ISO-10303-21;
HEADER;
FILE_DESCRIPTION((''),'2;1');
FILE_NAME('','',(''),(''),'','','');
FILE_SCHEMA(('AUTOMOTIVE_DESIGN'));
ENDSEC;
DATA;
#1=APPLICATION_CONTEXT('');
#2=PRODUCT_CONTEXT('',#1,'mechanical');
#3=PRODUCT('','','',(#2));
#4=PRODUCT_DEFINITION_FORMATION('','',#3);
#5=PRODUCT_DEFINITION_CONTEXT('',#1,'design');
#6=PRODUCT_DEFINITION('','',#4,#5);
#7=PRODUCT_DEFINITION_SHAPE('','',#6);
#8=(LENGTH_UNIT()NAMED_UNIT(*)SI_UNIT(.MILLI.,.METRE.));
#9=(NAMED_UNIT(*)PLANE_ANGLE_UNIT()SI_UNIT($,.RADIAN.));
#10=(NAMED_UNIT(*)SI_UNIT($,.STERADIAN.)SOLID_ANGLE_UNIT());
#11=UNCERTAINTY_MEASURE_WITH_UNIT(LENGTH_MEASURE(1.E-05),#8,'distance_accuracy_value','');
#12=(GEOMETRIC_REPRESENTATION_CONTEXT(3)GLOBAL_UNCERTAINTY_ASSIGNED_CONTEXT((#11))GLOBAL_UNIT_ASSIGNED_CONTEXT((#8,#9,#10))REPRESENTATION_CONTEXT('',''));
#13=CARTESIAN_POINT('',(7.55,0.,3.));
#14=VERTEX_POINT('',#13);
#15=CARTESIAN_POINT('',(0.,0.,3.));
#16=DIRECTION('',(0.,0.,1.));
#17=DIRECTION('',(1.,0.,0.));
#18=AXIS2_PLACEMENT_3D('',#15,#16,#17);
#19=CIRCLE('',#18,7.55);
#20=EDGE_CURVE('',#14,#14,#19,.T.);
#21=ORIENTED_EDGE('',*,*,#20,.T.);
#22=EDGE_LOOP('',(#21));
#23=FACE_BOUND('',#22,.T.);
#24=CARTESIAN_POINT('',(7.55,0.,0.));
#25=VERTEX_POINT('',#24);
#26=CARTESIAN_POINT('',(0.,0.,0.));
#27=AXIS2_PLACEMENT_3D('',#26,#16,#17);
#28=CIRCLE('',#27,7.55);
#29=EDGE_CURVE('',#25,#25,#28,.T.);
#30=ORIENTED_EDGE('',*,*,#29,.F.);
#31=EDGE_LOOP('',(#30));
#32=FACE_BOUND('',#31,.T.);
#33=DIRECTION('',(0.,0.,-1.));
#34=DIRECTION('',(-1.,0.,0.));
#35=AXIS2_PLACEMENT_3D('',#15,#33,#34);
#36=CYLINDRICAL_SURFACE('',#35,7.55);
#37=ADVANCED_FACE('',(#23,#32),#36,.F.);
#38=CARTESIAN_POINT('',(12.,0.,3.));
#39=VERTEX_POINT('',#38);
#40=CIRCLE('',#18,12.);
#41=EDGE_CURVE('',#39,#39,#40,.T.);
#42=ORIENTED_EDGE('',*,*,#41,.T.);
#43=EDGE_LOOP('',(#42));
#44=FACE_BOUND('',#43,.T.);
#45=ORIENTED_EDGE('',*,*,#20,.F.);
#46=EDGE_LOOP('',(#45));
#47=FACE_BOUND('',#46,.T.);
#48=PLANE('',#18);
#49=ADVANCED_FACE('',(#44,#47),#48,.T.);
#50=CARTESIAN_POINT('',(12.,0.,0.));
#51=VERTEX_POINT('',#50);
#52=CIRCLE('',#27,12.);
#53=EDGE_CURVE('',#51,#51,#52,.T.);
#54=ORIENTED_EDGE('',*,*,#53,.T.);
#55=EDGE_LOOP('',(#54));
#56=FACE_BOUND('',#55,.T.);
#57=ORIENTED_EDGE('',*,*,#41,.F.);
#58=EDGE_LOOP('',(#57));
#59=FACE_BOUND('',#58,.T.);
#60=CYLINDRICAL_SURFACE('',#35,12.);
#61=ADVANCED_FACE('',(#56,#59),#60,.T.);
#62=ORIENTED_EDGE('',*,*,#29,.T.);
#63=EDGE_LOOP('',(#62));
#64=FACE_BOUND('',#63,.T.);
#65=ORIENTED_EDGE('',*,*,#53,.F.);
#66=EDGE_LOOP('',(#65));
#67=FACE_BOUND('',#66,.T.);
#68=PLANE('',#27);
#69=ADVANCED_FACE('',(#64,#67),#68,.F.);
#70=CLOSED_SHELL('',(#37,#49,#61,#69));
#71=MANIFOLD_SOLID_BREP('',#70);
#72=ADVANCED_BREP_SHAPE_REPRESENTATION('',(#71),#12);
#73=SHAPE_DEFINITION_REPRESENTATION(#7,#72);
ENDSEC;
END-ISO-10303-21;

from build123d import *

# Parameters (mm, degrees)
PROFILE_LASER_PROFILE_3MM_R   = 12
PROFILE_LASER_PROFILE_3MM_R_2 = 7.55
LASER_PROFILE_3MM_DEPTH       = 3


with BuildPart() as part:
    # Profile_Laser_profile_3mm → Laser_profile_3mm (new body)
    with BuildSketch(Plane.XY):
        Circle(PROFILE_LASER_PROFILE_3MM_R)
        Circle(PROFILE_LASER_PROFILE_3MM_R_2, mode=Mode.SUBTRACT)
    extrude(amount=LASER_PROFILE_3MM_DEPTH)


solid = part.part
